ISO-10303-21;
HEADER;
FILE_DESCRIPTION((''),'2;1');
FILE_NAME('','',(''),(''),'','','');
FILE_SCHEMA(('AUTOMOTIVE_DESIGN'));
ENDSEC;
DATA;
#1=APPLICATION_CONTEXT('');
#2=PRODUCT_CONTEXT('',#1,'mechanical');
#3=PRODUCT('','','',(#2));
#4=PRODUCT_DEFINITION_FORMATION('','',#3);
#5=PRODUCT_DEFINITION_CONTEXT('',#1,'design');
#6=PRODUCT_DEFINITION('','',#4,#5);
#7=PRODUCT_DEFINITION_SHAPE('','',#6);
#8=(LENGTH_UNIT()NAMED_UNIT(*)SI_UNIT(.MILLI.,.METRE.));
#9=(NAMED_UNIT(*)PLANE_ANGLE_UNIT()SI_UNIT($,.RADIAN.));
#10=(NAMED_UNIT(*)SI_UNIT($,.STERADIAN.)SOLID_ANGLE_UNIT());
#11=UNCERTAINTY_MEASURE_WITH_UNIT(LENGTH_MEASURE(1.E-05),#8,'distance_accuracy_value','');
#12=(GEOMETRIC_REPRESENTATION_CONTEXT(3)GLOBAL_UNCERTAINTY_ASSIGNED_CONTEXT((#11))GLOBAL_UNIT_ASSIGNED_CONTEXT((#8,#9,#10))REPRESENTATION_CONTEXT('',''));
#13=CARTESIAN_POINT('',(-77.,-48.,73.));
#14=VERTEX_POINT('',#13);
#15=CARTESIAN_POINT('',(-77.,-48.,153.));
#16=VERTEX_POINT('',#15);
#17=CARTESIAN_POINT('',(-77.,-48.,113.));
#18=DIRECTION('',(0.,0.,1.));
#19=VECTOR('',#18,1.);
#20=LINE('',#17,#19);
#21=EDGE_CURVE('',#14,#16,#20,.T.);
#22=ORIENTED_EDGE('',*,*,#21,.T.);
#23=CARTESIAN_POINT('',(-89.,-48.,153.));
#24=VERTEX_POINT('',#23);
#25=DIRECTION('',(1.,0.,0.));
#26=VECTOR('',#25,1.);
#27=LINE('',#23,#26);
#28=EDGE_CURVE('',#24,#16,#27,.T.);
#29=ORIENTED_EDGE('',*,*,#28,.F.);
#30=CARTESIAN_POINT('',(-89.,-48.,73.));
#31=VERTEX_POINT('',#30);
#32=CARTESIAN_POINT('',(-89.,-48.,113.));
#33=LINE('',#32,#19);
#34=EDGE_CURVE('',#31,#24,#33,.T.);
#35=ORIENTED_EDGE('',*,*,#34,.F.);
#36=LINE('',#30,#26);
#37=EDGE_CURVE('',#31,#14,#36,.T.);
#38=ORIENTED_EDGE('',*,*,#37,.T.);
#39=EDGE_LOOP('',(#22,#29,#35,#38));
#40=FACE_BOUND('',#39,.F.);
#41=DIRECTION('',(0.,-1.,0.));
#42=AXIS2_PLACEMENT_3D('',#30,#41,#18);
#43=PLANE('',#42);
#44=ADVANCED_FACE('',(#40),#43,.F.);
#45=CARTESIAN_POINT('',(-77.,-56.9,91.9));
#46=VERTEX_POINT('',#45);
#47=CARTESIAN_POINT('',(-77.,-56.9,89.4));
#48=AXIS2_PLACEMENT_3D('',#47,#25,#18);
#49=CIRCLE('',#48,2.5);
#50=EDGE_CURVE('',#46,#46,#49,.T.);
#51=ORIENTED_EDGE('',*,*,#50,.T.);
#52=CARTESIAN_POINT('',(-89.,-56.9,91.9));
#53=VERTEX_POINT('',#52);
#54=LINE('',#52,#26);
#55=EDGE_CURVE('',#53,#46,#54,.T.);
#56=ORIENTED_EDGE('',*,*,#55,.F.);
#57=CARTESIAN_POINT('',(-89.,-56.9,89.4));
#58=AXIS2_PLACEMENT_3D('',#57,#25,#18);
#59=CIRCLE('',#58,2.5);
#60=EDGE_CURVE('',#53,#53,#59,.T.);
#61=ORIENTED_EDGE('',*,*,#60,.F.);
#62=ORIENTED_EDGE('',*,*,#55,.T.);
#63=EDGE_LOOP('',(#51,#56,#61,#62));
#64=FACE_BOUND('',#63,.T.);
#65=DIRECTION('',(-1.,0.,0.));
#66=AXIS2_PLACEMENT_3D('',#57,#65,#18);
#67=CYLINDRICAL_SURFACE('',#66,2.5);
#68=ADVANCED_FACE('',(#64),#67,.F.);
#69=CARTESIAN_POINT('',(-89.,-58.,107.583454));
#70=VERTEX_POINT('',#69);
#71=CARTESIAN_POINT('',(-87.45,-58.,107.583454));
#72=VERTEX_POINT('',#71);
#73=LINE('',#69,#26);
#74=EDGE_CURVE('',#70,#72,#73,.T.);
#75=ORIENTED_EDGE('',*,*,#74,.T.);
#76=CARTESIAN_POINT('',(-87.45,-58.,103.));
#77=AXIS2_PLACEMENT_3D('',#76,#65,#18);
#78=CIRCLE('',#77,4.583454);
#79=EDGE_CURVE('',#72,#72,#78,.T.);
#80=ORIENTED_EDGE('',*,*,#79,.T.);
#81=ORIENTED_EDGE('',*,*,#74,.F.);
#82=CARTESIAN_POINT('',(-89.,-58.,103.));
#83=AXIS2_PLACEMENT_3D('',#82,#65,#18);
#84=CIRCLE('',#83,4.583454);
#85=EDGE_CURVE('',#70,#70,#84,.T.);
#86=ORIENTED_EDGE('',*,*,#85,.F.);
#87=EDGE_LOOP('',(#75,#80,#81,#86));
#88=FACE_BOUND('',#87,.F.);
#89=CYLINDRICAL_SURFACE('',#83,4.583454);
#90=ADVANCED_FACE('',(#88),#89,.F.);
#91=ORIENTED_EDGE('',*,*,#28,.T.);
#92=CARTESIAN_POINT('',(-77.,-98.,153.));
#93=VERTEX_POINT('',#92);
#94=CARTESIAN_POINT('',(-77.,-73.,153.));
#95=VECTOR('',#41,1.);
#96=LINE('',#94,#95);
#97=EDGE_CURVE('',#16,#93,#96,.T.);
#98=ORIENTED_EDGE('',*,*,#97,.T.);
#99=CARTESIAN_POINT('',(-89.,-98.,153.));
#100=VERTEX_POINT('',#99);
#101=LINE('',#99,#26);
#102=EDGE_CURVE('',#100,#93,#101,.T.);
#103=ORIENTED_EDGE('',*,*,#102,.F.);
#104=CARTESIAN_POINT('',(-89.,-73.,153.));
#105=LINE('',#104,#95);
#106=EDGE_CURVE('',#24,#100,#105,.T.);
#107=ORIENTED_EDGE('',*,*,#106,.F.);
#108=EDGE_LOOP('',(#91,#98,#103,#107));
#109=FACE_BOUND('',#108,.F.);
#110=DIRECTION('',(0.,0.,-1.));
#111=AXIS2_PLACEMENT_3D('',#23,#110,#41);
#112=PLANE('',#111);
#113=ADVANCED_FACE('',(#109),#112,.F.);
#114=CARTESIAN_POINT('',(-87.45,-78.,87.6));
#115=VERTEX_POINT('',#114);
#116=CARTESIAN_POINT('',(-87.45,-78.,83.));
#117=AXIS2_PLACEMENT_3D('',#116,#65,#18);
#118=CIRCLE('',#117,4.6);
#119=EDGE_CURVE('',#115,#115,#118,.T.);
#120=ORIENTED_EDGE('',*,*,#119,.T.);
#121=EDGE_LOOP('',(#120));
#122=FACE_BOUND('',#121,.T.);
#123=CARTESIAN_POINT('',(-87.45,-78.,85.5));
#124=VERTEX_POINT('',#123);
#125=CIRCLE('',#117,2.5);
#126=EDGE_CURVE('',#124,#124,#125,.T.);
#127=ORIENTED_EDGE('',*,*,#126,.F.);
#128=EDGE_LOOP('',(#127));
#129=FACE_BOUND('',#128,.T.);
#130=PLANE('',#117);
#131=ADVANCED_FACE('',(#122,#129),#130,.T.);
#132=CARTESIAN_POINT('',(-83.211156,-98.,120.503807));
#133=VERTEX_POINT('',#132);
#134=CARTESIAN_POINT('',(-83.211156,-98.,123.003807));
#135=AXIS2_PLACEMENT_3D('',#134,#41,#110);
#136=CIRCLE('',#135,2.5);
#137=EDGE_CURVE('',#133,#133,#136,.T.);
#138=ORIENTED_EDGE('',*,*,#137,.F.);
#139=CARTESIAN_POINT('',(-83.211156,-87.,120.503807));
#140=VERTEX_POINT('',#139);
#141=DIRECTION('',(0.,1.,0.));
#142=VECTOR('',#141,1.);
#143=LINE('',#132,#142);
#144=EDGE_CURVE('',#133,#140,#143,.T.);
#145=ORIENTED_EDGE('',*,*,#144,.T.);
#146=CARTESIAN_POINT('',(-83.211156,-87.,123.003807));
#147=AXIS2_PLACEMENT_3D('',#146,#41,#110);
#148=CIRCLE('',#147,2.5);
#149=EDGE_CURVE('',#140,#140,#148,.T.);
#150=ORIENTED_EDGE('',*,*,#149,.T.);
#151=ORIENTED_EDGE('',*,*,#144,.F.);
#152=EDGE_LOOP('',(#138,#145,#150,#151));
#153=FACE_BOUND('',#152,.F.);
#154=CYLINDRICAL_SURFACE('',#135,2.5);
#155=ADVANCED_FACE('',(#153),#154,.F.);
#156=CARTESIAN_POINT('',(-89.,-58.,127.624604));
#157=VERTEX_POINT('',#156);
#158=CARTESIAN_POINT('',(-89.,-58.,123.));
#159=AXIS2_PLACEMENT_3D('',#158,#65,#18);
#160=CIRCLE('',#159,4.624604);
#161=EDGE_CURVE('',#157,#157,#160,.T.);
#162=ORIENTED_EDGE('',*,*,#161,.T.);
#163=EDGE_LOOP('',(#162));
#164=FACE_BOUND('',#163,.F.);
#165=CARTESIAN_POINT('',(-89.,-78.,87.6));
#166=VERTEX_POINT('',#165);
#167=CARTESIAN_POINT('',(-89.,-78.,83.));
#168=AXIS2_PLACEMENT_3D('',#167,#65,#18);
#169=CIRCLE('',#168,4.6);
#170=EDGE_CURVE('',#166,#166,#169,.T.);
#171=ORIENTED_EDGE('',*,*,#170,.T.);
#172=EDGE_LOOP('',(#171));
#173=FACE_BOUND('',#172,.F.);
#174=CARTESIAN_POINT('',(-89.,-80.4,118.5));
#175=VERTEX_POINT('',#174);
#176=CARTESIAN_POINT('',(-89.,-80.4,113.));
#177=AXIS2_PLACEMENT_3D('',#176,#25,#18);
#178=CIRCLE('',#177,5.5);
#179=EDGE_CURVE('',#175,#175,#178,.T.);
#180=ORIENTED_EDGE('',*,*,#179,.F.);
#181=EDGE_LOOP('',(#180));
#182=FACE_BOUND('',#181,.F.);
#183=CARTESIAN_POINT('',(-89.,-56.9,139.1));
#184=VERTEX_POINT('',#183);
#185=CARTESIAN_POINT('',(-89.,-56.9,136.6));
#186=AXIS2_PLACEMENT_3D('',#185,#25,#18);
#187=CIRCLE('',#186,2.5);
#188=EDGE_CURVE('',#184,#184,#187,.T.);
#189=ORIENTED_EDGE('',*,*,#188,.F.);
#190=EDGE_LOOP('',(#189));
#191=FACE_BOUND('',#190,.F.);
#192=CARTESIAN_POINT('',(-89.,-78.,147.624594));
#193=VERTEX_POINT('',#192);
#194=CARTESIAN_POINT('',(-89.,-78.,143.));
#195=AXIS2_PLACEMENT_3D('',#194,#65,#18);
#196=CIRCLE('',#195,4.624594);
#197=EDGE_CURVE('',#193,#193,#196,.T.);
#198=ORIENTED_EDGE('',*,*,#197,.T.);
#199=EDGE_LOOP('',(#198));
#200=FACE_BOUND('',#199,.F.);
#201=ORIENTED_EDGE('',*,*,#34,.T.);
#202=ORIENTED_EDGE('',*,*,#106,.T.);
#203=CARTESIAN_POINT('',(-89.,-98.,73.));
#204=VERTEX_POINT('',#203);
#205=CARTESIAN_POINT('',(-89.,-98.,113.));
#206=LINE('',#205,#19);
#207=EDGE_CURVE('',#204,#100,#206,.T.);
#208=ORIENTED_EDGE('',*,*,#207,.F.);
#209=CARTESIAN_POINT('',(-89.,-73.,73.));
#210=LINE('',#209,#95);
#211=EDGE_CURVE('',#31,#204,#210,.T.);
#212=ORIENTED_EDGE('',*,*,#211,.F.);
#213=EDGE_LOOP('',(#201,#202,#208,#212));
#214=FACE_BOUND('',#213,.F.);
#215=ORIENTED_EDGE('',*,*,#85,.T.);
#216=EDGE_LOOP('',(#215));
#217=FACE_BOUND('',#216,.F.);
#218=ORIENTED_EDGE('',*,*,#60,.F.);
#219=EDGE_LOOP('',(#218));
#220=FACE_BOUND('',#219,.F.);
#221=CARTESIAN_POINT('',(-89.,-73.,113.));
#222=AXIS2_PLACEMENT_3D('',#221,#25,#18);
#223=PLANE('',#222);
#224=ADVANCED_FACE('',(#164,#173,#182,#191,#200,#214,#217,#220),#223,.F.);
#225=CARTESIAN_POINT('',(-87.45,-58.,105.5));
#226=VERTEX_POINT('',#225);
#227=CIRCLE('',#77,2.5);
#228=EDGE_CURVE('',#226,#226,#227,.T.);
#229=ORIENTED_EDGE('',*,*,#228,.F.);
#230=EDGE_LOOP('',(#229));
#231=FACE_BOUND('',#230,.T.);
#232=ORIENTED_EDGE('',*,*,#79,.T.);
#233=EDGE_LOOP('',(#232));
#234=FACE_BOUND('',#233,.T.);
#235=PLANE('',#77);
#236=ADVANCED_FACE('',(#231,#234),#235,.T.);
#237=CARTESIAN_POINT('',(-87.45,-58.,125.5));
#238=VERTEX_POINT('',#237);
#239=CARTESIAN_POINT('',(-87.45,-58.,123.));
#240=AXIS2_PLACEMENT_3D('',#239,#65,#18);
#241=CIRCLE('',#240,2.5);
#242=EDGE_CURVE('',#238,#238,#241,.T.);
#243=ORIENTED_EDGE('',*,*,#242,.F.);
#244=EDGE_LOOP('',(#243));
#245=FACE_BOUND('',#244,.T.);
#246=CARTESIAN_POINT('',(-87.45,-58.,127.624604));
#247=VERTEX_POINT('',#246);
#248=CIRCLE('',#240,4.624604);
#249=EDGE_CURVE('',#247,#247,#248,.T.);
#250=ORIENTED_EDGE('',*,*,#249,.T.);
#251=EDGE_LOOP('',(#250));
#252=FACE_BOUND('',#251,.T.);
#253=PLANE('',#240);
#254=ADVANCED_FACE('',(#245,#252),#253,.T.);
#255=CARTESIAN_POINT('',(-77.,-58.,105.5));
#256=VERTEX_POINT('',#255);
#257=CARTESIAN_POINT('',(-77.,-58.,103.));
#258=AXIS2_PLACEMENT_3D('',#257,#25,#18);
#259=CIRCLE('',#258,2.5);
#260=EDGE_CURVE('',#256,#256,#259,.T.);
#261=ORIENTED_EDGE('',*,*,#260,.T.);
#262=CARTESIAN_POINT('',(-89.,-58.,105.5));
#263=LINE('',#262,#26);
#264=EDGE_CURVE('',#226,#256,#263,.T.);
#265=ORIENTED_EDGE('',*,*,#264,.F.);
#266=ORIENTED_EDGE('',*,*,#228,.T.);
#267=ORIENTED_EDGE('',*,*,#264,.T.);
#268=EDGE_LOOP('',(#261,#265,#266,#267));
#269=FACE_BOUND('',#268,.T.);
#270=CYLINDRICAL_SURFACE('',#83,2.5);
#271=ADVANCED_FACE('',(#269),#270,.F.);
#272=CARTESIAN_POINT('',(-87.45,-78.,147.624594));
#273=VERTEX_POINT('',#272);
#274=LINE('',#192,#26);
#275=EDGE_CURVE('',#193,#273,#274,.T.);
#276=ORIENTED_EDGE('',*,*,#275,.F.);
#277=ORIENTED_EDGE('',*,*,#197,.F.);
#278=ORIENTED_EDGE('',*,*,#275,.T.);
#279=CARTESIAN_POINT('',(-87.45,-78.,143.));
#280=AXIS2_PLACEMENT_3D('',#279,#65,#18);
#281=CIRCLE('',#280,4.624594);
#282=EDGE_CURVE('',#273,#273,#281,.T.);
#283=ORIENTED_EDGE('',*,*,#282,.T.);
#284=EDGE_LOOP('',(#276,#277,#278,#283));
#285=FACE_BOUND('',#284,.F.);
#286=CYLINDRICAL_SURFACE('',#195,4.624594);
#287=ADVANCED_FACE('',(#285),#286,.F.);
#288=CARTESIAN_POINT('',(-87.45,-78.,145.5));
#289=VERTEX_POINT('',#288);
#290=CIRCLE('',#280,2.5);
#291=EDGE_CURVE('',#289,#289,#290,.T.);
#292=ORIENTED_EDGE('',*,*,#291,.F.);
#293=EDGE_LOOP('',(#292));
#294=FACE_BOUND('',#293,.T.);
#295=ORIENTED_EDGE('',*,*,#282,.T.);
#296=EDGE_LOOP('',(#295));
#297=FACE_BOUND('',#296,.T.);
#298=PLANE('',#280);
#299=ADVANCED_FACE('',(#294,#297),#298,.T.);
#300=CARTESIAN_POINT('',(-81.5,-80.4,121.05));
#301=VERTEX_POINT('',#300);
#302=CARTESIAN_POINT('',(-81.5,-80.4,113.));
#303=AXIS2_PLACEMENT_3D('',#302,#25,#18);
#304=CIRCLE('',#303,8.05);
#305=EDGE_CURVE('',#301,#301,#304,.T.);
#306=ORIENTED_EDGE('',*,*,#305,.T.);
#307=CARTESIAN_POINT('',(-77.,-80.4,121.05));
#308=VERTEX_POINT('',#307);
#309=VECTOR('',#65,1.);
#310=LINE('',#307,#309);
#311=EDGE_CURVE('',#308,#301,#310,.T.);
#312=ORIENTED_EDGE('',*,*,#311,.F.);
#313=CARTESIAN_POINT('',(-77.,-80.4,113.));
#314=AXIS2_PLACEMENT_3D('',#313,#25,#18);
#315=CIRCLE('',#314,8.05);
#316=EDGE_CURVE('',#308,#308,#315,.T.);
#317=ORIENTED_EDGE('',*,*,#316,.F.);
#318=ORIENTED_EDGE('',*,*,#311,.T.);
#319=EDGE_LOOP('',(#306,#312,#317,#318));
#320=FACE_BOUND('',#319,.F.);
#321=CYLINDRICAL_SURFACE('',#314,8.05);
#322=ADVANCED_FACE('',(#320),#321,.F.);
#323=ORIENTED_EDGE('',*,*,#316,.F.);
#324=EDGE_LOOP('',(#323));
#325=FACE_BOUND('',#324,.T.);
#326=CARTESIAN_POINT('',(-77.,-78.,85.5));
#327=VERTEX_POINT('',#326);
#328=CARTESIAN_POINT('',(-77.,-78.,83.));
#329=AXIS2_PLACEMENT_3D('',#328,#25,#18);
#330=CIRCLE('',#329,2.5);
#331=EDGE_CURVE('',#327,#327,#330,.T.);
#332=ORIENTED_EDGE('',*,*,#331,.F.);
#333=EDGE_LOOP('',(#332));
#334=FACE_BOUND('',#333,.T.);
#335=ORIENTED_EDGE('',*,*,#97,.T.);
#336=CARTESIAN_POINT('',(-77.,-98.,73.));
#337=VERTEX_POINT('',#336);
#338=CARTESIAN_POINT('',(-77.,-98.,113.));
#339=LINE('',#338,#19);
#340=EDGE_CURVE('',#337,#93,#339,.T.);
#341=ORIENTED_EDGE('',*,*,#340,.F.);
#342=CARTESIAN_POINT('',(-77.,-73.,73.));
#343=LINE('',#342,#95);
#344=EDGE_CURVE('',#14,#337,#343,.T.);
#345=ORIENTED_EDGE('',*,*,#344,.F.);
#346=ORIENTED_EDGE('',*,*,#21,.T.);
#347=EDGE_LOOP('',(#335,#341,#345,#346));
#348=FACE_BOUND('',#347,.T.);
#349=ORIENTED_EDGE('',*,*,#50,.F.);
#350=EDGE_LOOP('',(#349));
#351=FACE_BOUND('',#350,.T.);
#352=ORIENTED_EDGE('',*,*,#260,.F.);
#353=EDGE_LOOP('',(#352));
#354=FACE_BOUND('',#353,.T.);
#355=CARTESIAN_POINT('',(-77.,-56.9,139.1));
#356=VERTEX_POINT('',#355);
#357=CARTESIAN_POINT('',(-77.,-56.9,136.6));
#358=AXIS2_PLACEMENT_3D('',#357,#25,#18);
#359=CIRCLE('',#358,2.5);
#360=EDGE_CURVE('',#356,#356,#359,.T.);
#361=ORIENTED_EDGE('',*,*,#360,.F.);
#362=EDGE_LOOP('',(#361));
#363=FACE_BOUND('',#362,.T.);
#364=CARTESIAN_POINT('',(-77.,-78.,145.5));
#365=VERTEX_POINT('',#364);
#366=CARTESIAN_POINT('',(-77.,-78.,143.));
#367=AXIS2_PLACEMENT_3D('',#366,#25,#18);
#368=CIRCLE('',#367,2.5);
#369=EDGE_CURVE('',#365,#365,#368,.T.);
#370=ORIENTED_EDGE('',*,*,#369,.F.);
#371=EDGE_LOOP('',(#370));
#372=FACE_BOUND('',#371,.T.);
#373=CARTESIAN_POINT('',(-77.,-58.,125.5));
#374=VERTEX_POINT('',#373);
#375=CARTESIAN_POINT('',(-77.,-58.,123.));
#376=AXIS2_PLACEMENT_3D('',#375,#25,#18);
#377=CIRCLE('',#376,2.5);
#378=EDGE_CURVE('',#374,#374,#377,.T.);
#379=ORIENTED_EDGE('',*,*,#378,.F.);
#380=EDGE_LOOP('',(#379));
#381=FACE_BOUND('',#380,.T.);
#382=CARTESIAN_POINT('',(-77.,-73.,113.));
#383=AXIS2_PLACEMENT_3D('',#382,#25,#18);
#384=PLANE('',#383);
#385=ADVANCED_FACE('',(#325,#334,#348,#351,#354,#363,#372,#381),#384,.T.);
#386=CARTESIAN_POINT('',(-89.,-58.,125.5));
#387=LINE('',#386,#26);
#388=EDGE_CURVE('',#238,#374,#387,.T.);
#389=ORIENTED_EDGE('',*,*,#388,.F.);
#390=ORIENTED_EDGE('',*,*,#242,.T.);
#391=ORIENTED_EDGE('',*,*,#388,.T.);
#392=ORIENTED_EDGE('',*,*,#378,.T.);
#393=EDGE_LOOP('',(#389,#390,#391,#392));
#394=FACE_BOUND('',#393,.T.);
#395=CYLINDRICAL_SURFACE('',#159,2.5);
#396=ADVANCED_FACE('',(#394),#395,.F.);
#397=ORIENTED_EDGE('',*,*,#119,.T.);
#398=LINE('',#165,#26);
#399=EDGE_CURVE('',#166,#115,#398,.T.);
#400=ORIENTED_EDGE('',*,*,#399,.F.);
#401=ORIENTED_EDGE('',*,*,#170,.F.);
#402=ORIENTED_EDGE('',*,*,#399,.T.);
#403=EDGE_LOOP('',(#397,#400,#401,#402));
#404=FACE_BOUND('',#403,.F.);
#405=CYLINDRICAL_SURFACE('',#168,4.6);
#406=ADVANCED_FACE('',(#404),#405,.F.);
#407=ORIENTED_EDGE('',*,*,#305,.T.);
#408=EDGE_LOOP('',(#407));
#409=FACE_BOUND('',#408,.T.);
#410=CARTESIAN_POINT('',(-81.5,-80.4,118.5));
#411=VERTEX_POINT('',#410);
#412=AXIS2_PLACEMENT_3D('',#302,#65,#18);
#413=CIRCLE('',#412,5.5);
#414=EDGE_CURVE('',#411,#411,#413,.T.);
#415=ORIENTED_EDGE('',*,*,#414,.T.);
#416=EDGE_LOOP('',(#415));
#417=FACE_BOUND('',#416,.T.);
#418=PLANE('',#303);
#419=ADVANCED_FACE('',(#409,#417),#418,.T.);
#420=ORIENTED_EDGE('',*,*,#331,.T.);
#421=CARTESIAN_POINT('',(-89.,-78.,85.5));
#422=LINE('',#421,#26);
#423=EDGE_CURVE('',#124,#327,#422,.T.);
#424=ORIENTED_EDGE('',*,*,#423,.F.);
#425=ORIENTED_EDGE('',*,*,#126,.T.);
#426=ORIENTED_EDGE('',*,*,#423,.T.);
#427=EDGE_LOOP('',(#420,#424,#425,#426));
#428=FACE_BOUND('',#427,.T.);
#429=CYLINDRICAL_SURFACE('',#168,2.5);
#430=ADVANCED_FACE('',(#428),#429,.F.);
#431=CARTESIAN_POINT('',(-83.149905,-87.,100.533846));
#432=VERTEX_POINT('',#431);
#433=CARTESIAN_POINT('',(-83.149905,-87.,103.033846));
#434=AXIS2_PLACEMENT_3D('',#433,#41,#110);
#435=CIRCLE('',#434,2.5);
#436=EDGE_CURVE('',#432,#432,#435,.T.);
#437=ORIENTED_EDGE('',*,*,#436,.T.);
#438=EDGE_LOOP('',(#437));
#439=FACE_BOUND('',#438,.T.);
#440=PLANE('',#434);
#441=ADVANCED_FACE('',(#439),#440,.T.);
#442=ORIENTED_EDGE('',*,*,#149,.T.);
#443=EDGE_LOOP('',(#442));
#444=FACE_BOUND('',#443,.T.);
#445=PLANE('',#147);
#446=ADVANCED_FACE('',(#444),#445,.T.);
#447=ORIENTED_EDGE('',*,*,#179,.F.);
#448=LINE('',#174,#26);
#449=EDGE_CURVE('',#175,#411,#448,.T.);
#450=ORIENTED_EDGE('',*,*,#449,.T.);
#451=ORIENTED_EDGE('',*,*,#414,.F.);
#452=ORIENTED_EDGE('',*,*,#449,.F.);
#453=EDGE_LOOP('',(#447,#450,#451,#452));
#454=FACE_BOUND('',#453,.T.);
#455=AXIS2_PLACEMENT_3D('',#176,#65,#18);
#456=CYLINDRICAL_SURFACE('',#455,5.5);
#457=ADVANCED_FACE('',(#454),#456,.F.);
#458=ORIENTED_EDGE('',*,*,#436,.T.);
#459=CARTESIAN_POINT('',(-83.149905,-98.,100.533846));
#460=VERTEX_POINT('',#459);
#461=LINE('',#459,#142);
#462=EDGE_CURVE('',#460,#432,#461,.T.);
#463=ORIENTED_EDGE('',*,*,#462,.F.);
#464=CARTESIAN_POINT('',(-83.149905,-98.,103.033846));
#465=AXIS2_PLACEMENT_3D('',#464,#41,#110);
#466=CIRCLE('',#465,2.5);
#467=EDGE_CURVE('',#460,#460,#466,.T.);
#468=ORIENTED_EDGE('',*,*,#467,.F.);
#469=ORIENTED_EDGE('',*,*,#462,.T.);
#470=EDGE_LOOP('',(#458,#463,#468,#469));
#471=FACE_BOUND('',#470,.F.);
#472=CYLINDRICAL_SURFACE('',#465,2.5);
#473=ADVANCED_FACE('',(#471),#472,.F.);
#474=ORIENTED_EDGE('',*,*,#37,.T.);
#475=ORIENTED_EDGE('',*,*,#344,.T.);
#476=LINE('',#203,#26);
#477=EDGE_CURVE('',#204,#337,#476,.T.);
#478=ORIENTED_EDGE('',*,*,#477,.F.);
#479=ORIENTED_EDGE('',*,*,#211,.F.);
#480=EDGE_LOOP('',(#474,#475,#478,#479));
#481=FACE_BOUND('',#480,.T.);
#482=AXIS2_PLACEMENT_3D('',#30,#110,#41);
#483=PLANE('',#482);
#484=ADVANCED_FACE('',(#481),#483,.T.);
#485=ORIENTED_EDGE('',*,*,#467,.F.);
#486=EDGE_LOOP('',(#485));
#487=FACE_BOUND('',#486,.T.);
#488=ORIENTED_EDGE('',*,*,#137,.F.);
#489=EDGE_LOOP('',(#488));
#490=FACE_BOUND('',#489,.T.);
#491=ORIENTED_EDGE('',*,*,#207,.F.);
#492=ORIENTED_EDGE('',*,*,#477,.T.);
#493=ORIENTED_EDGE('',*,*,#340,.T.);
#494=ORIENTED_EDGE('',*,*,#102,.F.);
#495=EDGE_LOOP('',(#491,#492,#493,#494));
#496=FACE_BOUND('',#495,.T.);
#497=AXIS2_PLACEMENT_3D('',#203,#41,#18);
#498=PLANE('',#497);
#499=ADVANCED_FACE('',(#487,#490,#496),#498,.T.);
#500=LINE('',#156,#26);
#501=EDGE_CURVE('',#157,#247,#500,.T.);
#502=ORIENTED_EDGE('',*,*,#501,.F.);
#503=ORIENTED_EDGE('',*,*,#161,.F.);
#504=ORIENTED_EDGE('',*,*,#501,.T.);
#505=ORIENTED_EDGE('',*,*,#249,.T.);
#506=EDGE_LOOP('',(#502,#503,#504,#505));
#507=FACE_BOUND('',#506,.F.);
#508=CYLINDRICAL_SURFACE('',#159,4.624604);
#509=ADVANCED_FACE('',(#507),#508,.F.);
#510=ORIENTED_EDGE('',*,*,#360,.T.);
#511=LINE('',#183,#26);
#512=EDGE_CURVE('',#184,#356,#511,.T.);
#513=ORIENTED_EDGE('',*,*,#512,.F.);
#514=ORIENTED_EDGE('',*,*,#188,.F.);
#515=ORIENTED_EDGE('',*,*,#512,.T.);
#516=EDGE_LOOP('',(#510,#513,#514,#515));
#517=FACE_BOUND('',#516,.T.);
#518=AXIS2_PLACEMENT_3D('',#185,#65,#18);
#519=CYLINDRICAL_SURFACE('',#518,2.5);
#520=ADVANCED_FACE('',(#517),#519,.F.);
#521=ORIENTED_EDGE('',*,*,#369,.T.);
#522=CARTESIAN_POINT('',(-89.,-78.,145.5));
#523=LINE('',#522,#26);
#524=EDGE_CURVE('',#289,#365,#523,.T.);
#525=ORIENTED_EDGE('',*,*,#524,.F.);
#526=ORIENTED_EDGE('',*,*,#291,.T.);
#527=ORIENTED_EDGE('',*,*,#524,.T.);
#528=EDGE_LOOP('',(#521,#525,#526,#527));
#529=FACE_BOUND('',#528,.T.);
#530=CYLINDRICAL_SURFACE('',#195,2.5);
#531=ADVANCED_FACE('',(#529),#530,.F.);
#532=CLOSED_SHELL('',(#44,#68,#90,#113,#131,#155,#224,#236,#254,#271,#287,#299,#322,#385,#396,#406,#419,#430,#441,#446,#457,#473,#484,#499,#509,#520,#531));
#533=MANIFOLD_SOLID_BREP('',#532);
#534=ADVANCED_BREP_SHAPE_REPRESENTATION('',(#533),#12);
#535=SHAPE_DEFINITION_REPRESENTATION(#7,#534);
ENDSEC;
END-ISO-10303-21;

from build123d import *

# Parameters (mm, degrees)
SKETCH010_W     = 80
SKETCH010_H     = 50
SKETCH010_R     = 2.5
SKETCH010_R_2   = 5.5
PAD002_DEPTH    = 12
SKETCH011_R     = 2.5
POCKET006_DEPTH = 11
SKETCH012_R     = 8.05
POCKET007_DEPTH = 4.5
SKETCH013_R     = 4.6
SKETCH013_R_2   = 4.624594
SKETCH013_R_3   = 4.583454
SKETCH013_R_4   = 4.624604
POCKET008_DEPTH = 1.55


with BuildPart() as part:
    # Sketch010 → Pad002 (new body)
    with BuildSketch(Plane(origin=(-89, -48, 73), x_dir=(0, 0, 1), z_dir=(1, 0, 0))):
        with Locations((40, 25)):
            Rectangle(SKETCH010_W, SKETCH010_H)
        with Locations((10, 30)):
            Circle(SKETCH010_R, mode=Mode.SUBTRACT)
        with Locations((30, 10)):
            Circle(SKETCH010_R, mode=Mode.SUBTRACT)
        with Locations((16.4, 8.9)):
            Circle(SKETCH010_R, mode=Mode.SUBTRACT)
        with Locations((50, 10)):
            Circle(SKETCH010_R, mode=Mode.SUBTRACT)
        with Locations((63.6, 8.9)):
            Circle(SKETCH010_R, mode=Mode.SUBTRACT)
        with Locations((70, 30)):
            Circle(SKETCH010_R, mode=Mode.SUBTRACT)
        with Locations((40, 32.4)):
            Circle(SKETCH010_R_2, mode=Mode.SUBTRACT)
    extrude(amount=PAD002_DEPTH)

    # Sketch011 → Pocket006 (cut)
    with BuildSketch(Plane(origin=(-89, -98, 73), x_dir=(0, 0, -1), z_dir=(0, -1, 0))):
        with Locations((-30.033846, 5.850095)):
            Circle(SKETCH011_R)
        with Locations((-50.003807, 5.788844)):
            Circle(SKETCH011_R)
    extrude(amount=-POCKET006_DEPTH, mode=Mode.SUBTRACT)

    # Sketch012 → Pocket007 (cut)
    with BuildSketch(Plane(origin=(-77, -48, 73), x_dir=(0, 0, 1), z_dir=(1, 0, 0))):
        with Locations((40, 32.4)):
            Circle(SKETCH012_R)
    extrude(amount=-POCKET007_DEPTH, mode=Mode.SUBTRACT)

    # Sketch013 → Pocket008 (cut)
    with BuildSketch(Plane(origin=(-89, -48, 73), x_dir=(0, 0, 1), z_dir=(-1, 0, 0))):
        with Locations((10, -30)):
            Circle(SKETCH013_R)
        with Locations((70, -30)):
            Circle(SKETCH013_R_2)
        with Locations((30, -10)):
            Circle(SKETCH013_R_3)
        with Locations((50, -10)):
            Circle(SKETCH013_R_4)
    extrude(amount=-POCKET008_DEPTH, mode=Mode.SUBTRACT)


solid = part.part
